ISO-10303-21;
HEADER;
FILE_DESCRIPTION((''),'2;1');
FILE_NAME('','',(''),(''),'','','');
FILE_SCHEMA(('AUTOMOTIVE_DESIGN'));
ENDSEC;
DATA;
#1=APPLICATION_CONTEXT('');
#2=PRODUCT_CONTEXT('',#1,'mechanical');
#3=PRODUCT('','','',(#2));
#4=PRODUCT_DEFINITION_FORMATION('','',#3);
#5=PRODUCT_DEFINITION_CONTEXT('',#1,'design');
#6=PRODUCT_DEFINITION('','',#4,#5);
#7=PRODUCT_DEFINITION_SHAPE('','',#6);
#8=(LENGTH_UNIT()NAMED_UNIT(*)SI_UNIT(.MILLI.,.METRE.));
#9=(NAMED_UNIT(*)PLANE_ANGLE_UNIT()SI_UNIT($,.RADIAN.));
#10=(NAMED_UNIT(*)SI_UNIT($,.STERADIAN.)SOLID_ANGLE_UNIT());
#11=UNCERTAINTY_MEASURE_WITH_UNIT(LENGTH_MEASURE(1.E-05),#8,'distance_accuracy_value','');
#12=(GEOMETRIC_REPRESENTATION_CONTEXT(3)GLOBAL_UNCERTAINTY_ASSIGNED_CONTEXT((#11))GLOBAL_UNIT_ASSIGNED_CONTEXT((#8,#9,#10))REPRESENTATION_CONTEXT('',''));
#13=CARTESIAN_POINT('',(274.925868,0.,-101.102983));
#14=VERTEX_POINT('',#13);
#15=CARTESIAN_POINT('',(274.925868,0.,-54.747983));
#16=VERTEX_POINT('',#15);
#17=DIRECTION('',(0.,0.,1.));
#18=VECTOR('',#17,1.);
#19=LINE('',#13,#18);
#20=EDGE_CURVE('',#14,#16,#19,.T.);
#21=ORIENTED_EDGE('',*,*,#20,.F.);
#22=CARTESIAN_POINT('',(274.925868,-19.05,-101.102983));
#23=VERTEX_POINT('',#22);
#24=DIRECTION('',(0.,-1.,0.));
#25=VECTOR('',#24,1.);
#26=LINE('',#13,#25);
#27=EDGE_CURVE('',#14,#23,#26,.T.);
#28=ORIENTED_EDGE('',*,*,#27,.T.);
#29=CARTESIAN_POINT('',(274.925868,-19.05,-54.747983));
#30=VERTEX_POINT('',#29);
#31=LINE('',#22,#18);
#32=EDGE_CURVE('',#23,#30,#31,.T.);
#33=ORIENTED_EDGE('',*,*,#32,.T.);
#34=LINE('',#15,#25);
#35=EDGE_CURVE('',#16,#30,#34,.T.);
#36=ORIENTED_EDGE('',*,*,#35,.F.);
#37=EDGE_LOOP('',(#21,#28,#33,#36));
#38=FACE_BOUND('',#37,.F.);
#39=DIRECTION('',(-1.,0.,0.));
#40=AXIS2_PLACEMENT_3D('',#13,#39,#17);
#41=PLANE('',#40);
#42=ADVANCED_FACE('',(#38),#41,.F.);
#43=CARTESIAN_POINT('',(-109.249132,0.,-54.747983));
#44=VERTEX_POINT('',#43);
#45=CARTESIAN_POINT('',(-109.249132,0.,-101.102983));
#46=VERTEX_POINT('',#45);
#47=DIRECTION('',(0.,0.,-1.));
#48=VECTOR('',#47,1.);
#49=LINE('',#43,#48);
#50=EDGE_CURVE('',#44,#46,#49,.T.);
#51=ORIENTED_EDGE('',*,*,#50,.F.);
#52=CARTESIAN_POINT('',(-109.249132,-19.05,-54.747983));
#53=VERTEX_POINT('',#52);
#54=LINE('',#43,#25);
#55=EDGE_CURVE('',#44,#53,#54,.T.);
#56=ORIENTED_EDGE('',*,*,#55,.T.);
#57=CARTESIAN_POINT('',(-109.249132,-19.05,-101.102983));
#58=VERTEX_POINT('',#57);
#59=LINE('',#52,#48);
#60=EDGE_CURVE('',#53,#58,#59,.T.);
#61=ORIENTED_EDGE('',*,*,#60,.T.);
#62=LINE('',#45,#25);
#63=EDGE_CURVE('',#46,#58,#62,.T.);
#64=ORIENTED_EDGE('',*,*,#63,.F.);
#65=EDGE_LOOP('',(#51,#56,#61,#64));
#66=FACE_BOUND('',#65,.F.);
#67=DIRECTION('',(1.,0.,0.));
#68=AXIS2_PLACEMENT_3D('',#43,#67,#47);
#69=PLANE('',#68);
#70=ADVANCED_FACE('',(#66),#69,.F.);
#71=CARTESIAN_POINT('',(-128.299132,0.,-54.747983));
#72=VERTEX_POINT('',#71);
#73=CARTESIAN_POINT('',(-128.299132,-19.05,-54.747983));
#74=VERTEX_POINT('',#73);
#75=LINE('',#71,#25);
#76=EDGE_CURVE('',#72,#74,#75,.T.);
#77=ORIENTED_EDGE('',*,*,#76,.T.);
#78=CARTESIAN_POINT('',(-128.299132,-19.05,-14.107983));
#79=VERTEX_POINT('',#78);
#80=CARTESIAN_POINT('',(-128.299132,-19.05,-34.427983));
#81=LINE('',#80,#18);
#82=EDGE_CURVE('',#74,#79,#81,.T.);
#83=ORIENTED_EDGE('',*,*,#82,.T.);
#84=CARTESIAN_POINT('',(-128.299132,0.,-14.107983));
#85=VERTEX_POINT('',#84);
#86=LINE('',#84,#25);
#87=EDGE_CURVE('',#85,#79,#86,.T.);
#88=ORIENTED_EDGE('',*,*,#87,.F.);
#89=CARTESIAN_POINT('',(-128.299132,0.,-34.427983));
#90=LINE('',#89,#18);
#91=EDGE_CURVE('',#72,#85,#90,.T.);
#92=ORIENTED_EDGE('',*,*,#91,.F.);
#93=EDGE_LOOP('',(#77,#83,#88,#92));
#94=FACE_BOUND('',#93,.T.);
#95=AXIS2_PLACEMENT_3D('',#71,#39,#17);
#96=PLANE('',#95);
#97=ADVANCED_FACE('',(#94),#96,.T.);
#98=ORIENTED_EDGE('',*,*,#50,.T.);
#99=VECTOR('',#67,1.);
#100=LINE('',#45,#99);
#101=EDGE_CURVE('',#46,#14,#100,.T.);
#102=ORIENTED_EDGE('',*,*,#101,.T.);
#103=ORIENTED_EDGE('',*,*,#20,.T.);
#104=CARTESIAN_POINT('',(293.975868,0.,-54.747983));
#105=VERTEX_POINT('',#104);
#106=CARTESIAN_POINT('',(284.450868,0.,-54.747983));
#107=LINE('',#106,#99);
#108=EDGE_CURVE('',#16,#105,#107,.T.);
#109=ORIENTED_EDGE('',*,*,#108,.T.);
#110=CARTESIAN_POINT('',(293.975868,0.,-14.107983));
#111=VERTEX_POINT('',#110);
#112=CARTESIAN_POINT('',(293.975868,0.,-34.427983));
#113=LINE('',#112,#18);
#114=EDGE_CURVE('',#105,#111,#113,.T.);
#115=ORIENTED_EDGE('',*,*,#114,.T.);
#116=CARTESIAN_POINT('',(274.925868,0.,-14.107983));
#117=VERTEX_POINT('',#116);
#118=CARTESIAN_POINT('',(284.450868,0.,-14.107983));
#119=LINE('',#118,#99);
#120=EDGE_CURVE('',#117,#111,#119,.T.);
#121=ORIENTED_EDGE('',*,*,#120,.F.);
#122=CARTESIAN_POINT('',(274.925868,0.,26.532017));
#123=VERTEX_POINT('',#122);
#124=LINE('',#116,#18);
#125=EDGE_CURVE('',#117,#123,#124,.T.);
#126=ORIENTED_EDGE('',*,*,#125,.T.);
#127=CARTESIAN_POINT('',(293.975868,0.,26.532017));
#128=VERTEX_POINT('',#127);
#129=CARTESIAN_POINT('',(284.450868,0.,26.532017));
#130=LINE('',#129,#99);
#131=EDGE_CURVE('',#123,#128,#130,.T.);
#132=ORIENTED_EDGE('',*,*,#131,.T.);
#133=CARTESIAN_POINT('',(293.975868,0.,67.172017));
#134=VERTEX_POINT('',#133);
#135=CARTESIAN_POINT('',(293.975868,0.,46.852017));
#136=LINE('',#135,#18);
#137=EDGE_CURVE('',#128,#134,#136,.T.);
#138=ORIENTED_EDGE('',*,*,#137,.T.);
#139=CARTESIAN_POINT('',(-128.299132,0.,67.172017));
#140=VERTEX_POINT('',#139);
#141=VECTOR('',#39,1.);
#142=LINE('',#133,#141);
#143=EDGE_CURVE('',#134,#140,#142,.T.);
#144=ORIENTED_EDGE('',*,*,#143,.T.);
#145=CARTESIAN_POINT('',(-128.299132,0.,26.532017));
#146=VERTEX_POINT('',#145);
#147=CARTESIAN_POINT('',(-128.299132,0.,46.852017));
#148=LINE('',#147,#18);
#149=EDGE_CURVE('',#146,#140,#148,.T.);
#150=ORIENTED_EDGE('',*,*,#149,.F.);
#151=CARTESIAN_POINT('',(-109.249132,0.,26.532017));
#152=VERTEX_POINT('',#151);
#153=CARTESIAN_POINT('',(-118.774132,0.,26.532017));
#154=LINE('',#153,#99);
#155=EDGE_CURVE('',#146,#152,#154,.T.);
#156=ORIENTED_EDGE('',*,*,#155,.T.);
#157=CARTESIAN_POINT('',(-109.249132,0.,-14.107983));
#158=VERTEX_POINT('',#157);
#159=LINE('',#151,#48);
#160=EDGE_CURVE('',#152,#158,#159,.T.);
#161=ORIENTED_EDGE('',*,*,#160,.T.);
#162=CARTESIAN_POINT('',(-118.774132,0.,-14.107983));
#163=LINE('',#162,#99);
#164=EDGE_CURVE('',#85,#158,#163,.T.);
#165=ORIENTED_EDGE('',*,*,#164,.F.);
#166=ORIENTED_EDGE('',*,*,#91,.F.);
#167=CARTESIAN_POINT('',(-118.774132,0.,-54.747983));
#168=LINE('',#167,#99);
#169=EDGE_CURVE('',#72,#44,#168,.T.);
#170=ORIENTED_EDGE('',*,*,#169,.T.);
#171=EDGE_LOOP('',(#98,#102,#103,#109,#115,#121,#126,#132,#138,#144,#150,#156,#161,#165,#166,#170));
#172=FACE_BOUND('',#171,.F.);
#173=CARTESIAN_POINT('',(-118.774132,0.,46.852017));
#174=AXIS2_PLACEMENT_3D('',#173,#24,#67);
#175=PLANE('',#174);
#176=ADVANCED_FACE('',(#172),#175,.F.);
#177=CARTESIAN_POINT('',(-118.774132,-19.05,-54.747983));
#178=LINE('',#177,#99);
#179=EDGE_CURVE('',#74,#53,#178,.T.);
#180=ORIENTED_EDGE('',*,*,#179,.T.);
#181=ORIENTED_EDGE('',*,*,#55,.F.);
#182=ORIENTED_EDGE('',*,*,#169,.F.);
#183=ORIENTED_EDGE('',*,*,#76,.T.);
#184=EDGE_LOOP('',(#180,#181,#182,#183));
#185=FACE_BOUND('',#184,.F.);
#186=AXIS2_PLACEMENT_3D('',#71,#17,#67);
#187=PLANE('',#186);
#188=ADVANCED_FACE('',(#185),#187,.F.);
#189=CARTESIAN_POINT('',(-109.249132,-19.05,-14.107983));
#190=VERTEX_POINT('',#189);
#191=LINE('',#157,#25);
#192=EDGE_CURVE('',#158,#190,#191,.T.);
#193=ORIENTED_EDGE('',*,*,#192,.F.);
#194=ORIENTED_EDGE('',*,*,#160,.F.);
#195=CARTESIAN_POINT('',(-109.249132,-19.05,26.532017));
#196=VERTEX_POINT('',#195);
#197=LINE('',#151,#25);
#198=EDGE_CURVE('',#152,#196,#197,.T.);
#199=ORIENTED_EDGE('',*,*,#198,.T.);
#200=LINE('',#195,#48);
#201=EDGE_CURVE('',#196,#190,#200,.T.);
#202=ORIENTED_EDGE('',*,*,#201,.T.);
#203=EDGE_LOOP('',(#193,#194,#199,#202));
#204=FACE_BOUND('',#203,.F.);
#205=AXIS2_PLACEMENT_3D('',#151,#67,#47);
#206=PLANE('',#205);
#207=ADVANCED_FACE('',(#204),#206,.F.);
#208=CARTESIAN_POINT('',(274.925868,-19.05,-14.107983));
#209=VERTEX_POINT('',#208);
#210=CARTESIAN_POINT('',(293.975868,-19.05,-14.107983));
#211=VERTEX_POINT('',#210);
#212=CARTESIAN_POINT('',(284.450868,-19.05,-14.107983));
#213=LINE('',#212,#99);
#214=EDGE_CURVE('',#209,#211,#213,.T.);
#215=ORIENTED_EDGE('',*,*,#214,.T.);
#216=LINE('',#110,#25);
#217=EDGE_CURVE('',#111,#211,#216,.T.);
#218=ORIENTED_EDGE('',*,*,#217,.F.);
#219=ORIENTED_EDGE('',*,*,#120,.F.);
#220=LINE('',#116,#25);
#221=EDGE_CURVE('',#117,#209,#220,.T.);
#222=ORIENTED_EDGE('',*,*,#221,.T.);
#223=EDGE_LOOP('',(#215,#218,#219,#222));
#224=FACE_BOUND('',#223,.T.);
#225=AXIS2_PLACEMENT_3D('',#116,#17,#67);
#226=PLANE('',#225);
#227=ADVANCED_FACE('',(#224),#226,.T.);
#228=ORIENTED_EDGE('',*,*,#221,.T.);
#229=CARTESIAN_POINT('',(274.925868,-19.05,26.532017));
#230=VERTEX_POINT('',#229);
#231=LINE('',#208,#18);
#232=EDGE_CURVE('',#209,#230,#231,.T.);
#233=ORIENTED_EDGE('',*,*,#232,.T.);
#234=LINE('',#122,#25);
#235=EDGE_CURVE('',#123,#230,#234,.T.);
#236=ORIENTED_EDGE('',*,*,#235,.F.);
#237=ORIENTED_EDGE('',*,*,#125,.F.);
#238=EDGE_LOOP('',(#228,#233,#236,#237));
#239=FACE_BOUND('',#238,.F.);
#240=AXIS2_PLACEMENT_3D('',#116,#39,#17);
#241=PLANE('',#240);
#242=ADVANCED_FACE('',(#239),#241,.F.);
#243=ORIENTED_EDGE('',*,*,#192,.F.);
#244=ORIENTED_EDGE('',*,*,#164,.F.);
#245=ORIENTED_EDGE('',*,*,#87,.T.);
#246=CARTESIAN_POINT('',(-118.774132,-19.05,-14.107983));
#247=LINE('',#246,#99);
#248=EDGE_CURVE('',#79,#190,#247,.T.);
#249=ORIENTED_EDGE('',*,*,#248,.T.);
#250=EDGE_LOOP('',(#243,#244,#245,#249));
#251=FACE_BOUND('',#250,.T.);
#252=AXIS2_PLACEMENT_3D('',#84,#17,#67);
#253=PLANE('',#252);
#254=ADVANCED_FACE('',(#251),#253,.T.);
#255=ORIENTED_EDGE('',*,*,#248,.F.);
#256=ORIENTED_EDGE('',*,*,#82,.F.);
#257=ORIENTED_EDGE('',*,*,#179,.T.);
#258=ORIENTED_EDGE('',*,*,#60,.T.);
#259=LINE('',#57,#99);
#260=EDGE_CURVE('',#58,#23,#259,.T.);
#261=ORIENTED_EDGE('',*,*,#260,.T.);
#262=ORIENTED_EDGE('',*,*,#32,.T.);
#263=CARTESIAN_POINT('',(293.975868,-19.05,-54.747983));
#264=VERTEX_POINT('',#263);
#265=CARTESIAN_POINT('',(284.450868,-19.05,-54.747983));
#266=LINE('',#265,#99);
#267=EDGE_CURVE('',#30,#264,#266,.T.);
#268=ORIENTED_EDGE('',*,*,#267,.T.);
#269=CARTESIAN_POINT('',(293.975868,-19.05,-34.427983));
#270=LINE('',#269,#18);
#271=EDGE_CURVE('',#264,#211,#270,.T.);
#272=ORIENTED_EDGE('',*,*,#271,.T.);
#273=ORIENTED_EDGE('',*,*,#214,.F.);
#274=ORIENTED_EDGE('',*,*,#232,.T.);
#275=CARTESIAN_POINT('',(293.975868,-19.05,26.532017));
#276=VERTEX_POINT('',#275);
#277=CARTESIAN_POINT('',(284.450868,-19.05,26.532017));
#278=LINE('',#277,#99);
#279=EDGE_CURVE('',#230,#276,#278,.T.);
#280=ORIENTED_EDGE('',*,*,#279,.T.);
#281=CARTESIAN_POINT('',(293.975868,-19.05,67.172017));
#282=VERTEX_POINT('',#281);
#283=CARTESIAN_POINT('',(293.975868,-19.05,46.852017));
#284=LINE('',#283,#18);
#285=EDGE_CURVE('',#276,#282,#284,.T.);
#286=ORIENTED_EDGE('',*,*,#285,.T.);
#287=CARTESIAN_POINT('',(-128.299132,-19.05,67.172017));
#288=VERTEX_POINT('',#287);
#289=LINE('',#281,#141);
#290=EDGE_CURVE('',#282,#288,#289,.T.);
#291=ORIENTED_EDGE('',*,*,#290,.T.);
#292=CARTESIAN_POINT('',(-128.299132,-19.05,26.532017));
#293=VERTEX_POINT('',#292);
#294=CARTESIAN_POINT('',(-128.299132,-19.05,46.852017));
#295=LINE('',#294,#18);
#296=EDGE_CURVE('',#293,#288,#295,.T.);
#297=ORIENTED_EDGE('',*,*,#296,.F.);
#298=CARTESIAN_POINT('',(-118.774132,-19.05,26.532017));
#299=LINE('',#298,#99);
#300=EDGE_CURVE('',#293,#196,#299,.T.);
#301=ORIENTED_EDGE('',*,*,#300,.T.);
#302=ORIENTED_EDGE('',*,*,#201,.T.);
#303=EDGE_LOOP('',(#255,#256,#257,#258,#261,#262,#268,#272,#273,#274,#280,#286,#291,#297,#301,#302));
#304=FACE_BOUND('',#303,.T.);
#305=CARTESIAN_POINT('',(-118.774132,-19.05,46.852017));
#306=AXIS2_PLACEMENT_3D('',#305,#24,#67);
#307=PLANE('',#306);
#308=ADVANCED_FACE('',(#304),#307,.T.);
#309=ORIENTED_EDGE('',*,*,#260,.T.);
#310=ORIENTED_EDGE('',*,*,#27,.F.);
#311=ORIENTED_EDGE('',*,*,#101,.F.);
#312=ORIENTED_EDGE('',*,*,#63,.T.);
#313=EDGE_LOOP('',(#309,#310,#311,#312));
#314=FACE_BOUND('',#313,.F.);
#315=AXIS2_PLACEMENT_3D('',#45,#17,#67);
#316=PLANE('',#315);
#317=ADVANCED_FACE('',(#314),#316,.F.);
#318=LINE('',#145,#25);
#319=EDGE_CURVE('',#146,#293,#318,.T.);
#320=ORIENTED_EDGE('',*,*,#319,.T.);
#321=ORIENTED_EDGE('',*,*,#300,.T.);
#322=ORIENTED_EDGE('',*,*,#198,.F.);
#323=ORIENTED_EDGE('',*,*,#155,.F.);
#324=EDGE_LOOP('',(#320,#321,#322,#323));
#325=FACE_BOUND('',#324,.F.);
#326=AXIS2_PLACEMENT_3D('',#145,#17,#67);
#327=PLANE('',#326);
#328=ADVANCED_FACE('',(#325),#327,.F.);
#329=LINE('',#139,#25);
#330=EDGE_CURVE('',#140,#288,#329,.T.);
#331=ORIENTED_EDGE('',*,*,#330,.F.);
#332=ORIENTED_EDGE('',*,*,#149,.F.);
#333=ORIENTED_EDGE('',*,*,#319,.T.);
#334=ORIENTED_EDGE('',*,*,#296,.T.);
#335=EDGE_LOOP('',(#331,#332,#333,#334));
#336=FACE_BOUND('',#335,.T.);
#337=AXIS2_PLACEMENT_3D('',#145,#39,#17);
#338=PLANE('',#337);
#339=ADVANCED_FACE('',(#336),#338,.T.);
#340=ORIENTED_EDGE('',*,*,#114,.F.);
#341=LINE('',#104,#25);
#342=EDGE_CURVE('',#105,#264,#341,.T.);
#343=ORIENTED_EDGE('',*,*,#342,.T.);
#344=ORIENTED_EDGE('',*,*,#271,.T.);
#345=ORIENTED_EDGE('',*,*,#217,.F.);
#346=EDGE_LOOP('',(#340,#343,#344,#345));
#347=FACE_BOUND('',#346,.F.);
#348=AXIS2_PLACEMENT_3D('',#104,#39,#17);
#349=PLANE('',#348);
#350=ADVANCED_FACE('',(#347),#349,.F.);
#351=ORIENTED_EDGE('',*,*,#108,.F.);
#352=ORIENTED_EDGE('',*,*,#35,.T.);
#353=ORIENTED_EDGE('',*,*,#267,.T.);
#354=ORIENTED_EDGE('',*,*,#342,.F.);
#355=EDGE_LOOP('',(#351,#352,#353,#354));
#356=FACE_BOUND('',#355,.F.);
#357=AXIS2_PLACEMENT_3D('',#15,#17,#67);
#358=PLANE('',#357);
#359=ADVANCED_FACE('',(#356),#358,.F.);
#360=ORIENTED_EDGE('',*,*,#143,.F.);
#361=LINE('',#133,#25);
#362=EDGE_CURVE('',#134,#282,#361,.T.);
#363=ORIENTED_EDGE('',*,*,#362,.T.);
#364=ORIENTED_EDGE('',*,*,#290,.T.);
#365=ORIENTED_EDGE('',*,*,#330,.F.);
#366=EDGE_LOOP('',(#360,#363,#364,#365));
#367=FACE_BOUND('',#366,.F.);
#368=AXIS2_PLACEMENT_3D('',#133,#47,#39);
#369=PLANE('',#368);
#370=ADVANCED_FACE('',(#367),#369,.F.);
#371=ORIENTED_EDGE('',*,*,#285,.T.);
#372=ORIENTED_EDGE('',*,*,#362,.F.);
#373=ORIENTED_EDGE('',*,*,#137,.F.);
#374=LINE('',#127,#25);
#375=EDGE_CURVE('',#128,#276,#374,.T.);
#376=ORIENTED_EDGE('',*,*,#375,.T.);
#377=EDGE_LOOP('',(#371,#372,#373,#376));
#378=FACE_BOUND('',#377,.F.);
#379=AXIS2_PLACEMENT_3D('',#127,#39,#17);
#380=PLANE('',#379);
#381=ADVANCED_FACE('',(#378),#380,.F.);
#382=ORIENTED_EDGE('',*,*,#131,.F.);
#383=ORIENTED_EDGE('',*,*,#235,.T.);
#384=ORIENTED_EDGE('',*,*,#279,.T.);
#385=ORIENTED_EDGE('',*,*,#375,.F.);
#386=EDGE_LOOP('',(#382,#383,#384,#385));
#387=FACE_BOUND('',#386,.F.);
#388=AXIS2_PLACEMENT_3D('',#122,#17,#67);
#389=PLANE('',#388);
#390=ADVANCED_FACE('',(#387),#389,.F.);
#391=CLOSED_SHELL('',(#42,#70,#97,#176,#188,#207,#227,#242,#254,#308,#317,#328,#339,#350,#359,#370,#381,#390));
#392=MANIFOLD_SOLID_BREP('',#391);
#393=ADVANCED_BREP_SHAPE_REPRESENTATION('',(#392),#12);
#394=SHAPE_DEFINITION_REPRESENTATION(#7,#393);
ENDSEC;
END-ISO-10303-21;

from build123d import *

# Parameters (mm, degrees)
F0_W     = 19.05
F0_H     = 40.64
F1_DEPTH = 19.05


with BuildPart() as f1:
    # F0 (on Front) → F1 (new body)
    with BuildSketch(Plane.XZ):
        with Locations((-118.774132, 46.852017)):
            Rectangle(F0_W, F0_H)
        with Locations((284.450868, 46.852017)):
            Rectangle(F0_W, F0_H)
        with Locations((-118.774132, -34.427983)):
            Rectangle(F0_W, F0_H)
        with Locations((284.450868, -34.427983)):
            Rectangle(F0_W, F0_H)
        Polygon((274.925868, 67.172017), (-109.249132, 67.172017), (-109.249132, 26.532017), (-109.249132, -14.107983), (-109.249132, -54.747983), (-109.249132, -101.102983), (274.925868, -101.102983), (274.925868, -54.747983), (274.925868, -14.107983), (274.925868, 26.532017), align=None)
    extrude(amount=F1_DEPTH)


solid = f1.part
